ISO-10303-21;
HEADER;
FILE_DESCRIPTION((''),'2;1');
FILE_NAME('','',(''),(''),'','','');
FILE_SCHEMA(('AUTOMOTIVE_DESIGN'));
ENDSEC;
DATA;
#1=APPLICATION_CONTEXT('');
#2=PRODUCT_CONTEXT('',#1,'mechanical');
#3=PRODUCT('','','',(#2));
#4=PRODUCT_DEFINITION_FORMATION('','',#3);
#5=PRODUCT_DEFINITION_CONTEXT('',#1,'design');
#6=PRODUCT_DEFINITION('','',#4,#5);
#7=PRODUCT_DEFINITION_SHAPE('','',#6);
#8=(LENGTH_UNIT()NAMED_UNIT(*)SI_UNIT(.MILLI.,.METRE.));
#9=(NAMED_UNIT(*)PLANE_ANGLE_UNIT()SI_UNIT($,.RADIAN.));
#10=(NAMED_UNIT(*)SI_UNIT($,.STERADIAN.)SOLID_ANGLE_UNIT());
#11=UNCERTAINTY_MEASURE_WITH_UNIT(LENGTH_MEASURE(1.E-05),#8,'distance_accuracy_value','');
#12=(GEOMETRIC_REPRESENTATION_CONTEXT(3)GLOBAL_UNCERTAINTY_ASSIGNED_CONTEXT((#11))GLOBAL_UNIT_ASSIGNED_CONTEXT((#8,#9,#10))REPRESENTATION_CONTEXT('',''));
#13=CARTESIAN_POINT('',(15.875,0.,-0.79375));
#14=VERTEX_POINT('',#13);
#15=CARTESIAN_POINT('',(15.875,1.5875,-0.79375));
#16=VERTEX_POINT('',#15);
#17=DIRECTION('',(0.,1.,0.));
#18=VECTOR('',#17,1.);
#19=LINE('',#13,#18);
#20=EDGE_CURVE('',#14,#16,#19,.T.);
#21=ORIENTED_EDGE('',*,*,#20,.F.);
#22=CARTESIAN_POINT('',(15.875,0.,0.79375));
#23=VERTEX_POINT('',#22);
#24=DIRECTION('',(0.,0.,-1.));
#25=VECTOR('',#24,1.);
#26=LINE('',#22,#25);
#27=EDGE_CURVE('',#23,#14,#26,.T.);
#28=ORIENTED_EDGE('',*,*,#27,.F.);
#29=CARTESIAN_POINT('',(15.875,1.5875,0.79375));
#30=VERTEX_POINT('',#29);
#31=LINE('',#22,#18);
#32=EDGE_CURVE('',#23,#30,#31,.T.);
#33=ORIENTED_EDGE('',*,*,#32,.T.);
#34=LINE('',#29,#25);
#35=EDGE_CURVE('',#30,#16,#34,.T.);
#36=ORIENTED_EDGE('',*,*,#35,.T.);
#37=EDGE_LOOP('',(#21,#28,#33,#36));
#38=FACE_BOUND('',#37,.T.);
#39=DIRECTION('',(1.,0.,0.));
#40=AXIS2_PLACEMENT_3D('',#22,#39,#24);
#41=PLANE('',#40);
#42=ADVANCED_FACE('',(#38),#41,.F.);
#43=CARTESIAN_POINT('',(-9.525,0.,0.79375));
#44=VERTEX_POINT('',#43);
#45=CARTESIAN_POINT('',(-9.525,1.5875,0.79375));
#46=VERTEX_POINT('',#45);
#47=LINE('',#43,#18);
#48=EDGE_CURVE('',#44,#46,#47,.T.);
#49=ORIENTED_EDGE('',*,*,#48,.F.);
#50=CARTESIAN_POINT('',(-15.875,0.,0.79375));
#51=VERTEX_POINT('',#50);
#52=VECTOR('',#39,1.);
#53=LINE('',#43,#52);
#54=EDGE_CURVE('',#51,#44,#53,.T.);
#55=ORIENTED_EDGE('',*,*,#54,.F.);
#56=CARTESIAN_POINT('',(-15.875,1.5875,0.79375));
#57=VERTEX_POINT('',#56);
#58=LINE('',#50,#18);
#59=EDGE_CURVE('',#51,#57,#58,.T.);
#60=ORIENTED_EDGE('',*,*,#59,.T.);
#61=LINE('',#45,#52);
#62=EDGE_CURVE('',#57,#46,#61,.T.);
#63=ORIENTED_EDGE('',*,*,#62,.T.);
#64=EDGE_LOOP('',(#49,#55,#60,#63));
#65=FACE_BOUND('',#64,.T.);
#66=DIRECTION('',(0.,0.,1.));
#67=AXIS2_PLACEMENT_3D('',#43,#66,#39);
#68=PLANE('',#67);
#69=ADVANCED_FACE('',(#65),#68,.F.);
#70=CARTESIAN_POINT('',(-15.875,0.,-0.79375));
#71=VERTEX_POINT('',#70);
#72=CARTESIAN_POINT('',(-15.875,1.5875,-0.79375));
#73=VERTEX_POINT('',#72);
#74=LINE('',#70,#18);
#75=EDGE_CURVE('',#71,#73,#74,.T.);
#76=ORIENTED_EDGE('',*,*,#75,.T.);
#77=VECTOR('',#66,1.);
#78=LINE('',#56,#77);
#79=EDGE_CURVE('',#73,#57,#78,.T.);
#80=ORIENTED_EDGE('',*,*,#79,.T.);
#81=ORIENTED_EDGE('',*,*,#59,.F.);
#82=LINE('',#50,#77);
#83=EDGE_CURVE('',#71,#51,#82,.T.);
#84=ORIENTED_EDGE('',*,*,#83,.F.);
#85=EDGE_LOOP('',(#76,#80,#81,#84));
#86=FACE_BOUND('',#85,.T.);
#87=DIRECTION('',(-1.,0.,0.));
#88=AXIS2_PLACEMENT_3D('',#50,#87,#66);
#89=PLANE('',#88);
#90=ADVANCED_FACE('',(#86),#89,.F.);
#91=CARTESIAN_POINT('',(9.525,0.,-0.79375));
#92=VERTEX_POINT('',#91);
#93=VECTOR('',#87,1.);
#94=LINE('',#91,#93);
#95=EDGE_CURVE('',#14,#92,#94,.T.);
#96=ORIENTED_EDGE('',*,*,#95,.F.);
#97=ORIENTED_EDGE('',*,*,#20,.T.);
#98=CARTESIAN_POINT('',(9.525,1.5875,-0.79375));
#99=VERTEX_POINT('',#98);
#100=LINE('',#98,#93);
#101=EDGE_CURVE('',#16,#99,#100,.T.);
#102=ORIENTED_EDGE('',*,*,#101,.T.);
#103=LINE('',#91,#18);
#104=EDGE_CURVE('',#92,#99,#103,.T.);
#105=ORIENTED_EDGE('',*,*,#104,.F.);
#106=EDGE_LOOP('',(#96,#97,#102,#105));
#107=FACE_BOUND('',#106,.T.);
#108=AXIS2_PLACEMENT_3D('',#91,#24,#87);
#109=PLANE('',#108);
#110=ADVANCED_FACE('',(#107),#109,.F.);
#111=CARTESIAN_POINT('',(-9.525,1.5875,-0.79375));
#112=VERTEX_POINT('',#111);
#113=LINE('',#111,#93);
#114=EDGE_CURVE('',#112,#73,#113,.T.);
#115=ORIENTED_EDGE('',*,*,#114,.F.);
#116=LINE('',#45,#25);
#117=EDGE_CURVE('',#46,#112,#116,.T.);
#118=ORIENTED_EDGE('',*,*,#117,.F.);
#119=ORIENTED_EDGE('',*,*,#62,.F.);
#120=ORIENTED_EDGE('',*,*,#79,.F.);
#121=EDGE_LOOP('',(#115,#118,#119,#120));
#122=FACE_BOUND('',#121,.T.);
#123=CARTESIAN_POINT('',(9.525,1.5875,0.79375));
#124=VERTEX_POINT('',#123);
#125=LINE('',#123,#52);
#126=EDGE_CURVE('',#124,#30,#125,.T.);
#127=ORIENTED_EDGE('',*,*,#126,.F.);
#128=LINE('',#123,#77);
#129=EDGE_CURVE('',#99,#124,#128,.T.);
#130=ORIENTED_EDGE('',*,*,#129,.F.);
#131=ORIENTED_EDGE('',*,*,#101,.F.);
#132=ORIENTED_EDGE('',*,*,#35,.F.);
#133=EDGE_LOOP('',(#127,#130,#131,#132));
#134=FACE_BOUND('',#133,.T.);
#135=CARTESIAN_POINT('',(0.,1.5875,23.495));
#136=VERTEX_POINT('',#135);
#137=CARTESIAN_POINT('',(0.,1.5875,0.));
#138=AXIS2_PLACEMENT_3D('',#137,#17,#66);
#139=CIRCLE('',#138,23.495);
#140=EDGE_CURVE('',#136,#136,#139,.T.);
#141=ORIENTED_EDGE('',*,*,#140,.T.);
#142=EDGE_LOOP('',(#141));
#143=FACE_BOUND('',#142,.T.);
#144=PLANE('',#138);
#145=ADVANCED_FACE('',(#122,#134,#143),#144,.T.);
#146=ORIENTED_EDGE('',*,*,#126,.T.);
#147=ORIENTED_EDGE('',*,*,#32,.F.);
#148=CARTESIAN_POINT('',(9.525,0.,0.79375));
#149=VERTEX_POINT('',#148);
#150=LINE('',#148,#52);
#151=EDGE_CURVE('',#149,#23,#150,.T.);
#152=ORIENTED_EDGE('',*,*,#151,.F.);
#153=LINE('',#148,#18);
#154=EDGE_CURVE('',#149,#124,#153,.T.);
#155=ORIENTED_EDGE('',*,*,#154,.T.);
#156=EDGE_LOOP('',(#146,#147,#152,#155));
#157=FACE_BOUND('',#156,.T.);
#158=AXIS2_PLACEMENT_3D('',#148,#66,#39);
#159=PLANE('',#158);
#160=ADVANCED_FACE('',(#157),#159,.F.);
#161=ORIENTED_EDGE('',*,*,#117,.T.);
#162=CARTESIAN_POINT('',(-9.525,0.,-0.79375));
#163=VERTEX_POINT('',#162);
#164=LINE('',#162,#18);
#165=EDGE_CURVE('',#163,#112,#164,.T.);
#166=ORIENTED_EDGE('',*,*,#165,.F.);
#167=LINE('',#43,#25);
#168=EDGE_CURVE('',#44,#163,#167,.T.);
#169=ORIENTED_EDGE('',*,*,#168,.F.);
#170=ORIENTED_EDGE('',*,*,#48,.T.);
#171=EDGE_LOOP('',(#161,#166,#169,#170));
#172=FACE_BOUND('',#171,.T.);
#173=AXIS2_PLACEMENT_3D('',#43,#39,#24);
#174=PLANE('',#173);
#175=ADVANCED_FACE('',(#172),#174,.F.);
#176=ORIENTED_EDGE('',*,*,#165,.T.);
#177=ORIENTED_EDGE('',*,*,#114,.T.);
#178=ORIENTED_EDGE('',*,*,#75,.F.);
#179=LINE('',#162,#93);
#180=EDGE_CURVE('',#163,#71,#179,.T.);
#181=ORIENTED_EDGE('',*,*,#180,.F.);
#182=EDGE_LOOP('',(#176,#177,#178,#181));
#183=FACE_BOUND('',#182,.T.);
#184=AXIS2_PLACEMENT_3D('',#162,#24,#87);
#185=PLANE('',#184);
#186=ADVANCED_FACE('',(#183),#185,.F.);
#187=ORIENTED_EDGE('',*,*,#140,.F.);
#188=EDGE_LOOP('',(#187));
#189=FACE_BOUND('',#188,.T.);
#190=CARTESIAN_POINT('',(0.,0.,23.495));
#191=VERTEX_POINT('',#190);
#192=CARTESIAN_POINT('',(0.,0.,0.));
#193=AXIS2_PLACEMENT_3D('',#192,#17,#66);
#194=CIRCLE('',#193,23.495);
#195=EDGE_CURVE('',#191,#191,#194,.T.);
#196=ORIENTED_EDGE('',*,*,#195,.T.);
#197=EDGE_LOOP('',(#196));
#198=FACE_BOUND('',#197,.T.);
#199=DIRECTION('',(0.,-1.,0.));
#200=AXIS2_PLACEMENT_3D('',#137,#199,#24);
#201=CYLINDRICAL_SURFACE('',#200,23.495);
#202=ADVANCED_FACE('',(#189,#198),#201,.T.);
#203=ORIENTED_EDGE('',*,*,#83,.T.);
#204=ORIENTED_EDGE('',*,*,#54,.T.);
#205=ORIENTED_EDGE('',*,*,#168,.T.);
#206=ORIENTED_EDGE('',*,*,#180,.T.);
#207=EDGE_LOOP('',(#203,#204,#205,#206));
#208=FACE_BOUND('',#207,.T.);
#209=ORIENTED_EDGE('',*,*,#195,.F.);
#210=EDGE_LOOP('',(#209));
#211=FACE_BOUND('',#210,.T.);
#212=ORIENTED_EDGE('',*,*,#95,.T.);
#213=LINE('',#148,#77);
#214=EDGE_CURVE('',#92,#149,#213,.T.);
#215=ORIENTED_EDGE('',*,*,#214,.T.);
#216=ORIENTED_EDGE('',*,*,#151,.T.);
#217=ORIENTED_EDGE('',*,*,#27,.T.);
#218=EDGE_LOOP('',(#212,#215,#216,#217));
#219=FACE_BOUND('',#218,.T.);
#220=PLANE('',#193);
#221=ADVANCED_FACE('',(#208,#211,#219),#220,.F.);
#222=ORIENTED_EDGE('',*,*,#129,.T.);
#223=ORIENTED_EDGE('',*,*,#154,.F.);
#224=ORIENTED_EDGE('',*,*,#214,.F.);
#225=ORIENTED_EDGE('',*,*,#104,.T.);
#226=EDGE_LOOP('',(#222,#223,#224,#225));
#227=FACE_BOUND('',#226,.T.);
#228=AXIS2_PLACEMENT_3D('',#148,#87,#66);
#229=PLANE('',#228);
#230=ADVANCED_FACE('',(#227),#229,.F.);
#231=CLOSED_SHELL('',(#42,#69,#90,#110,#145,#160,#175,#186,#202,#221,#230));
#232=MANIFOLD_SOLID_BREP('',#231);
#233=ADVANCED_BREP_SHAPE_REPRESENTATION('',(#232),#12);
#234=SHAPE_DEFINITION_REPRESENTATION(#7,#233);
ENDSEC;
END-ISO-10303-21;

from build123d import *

# Parameters (mm, degrees)
SKETCH1_R           = 23.495
BOSS_EXTRUDE1_DEPTH = 1.5875
SKETCH2_W           = 6.35
SKETCH2_H           = 1.5875
CUT_EXTRUDE1_DEPTH  = 34.26484941


with BuildPart() as part:
    # Sketch1 → Boss-Extrude1 (new body)
    with BuildSketch(Plane(origin=(0, 0, 0), x_dir=(1, 0, 0), z_dir=(0, 1, 0))):
        with Locations(Location((0, 0, 0), (0, 0, 270))):
            Circle(SKETCH1_R)
    extrude(amount=BOSS_EXTRUDE1_DEPTH)

    # Sketch2 → Cut-Extrude1 (cut, through all)
    with BuildSketch(Plane(origin=(0, 1.5875, 0), x_dir=(1, 0, 0), z_dir=(0, 1, 0))):
        with Locations((-12.7, 0)):
            Rectangle(SKETCH2_W, SKETCH2_H)
        with Locations((12.7, 0)):
            Rectangle(SKETCH2_W, SKETCH2_H)
    extrude(amount=-CUT_EXTRUDE1_DEPTH, mode=Mode.SUBTRACT)


solid = part.part
